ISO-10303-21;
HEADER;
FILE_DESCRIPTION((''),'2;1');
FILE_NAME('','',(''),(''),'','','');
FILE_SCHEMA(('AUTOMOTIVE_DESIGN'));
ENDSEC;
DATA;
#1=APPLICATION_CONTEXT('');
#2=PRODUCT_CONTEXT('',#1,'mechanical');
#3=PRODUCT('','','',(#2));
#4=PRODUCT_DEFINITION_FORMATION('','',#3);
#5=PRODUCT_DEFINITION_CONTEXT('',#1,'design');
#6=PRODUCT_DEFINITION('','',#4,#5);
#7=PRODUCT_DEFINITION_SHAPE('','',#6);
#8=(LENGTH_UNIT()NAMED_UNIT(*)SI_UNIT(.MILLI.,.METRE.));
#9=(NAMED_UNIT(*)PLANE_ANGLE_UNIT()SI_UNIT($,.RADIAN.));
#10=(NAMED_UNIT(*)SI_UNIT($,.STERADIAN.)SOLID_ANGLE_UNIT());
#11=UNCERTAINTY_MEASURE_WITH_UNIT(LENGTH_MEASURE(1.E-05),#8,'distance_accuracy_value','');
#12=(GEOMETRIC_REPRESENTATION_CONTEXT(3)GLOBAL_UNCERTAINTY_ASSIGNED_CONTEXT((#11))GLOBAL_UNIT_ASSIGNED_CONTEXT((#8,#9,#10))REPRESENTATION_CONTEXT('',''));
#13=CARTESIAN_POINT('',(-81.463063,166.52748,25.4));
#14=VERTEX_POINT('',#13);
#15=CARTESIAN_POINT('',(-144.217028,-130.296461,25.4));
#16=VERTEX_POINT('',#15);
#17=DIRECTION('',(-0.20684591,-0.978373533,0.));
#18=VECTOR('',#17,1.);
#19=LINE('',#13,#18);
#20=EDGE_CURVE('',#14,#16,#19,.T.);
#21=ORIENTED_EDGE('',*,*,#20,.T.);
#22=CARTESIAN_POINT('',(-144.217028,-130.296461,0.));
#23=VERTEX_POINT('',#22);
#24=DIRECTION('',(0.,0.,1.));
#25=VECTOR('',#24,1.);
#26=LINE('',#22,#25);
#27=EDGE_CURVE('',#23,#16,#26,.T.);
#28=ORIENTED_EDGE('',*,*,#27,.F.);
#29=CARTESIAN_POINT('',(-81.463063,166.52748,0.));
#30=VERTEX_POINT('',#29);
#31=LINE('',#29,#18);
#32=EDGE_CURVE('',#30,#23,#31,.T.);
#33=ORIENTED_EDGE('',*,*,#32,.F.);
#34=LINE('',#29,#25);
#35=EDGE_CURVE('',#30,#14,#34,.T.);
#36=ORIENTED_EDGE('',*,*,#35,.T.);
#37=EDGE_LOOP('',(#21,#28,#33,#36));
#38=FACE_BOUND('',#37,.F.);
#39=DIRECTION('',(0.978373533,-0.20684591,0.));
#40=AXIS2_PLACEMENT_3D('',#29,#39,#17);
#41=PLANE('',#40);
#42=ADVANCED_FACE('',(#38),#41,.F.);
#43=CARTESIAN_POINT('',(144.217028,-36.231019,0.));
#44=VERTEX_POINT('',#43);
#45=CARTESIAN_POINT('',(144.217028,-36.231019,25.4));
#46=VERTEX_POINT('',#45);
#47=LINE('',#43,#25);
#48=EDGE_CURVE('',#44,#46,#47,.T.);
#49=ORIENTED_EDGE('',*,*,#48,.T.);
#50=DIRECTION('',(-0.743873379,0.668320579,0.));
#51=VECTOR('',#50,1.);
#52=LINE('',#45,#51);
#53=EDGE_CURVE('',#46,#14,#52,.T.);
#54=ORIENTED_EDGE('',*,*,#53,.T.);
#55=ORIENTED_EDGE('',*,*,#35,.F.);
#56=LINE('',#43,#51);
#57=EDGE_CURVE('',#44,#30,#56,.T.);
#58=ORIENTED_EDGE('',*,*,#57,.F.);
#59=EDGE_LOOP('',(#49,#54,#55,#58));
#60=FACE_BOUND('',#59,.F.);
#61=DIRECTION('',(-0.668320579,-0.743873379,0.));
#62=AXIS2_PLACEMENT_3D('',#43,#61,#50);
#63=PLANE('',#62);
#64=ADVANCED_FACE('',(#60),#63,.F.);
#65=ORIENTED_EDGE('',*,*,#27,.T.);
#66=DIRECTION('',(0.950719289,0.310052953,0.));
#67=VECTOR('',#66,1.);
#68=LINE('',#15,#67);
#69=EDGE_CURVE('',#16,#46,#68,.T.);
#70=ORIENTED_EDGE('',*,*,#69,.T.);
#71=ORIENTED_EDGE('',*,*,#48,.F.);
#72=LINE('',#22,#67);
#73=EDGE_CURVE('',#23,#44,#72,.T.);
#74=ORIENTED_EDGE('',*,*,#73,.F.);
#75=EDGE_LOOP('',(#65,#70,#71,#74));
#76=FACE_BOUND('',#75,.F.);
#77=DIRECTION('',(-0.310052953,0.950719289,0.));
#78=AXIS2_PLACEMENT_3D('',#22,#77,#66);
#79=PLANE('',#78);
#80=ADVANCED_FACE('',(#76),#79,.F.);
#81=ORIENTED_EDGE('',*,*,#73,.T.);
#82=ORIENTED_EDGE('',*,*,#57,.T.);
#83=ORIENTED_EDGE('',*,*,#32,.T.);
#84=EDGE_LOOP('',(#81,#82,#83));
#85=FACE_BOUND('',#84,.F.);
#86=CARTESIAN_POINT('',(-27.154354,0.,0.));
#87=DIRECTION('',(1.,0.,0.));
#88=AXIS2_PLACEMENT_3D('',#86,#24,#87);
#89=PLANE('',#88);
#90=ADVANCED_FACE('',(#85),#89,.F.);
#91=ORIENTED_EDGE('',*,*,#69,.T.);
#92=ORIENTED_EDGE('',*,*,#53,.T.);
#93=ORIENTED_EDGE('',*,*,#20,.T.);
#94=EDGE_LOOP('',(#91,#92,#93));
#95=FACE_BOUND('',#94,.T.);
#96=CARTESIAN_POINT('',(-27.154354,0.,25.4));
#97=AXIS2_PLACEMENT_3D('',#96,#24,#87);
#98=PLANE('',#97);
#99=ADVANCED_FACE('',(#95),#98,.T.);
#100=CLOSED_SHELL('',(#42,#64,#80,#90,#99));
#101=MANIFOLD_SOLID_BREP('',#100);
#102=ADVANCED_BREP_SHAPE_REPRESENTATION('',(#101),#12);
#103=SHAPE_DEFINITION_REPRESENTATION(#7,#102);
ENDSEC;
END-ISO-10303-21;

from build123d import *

# Parameters (mm, degrees)
F2_DEPTH = 25.4


with BuildPart() as f2:
    # F1 (on face) → F2 (new body)
    with BuildSketch(Plane.XY):
        Polygon((-144.2170280104, -130.2964613739), (144.2170280104, -36.2310185131), (-81.4630631357, 166.527479887), align=None)
        Polygon((25.3478623927, -20.5128900707), (-71.462854743, -20.5128900707), (-71.462854743, 26.7615746707), (25.3478623927, 26.7615746707), (25.3478623927, 23.4350077808), (25.3478623927, -11.3784484565), align=None, mode=Mode.SUBTRACT)
        Polygon((-71.462854743, 26.7615746707), (-71.462854743, -20.5128900707), (25.3478623927, -20.5128900707), (25.3478623927, -11.3784484565), (25.3478623927, 23.4350077808), (25.3478623927, 26.7615746707), align=None)
    extrude(amount=F2_DEPTH)


solid = f2.part
